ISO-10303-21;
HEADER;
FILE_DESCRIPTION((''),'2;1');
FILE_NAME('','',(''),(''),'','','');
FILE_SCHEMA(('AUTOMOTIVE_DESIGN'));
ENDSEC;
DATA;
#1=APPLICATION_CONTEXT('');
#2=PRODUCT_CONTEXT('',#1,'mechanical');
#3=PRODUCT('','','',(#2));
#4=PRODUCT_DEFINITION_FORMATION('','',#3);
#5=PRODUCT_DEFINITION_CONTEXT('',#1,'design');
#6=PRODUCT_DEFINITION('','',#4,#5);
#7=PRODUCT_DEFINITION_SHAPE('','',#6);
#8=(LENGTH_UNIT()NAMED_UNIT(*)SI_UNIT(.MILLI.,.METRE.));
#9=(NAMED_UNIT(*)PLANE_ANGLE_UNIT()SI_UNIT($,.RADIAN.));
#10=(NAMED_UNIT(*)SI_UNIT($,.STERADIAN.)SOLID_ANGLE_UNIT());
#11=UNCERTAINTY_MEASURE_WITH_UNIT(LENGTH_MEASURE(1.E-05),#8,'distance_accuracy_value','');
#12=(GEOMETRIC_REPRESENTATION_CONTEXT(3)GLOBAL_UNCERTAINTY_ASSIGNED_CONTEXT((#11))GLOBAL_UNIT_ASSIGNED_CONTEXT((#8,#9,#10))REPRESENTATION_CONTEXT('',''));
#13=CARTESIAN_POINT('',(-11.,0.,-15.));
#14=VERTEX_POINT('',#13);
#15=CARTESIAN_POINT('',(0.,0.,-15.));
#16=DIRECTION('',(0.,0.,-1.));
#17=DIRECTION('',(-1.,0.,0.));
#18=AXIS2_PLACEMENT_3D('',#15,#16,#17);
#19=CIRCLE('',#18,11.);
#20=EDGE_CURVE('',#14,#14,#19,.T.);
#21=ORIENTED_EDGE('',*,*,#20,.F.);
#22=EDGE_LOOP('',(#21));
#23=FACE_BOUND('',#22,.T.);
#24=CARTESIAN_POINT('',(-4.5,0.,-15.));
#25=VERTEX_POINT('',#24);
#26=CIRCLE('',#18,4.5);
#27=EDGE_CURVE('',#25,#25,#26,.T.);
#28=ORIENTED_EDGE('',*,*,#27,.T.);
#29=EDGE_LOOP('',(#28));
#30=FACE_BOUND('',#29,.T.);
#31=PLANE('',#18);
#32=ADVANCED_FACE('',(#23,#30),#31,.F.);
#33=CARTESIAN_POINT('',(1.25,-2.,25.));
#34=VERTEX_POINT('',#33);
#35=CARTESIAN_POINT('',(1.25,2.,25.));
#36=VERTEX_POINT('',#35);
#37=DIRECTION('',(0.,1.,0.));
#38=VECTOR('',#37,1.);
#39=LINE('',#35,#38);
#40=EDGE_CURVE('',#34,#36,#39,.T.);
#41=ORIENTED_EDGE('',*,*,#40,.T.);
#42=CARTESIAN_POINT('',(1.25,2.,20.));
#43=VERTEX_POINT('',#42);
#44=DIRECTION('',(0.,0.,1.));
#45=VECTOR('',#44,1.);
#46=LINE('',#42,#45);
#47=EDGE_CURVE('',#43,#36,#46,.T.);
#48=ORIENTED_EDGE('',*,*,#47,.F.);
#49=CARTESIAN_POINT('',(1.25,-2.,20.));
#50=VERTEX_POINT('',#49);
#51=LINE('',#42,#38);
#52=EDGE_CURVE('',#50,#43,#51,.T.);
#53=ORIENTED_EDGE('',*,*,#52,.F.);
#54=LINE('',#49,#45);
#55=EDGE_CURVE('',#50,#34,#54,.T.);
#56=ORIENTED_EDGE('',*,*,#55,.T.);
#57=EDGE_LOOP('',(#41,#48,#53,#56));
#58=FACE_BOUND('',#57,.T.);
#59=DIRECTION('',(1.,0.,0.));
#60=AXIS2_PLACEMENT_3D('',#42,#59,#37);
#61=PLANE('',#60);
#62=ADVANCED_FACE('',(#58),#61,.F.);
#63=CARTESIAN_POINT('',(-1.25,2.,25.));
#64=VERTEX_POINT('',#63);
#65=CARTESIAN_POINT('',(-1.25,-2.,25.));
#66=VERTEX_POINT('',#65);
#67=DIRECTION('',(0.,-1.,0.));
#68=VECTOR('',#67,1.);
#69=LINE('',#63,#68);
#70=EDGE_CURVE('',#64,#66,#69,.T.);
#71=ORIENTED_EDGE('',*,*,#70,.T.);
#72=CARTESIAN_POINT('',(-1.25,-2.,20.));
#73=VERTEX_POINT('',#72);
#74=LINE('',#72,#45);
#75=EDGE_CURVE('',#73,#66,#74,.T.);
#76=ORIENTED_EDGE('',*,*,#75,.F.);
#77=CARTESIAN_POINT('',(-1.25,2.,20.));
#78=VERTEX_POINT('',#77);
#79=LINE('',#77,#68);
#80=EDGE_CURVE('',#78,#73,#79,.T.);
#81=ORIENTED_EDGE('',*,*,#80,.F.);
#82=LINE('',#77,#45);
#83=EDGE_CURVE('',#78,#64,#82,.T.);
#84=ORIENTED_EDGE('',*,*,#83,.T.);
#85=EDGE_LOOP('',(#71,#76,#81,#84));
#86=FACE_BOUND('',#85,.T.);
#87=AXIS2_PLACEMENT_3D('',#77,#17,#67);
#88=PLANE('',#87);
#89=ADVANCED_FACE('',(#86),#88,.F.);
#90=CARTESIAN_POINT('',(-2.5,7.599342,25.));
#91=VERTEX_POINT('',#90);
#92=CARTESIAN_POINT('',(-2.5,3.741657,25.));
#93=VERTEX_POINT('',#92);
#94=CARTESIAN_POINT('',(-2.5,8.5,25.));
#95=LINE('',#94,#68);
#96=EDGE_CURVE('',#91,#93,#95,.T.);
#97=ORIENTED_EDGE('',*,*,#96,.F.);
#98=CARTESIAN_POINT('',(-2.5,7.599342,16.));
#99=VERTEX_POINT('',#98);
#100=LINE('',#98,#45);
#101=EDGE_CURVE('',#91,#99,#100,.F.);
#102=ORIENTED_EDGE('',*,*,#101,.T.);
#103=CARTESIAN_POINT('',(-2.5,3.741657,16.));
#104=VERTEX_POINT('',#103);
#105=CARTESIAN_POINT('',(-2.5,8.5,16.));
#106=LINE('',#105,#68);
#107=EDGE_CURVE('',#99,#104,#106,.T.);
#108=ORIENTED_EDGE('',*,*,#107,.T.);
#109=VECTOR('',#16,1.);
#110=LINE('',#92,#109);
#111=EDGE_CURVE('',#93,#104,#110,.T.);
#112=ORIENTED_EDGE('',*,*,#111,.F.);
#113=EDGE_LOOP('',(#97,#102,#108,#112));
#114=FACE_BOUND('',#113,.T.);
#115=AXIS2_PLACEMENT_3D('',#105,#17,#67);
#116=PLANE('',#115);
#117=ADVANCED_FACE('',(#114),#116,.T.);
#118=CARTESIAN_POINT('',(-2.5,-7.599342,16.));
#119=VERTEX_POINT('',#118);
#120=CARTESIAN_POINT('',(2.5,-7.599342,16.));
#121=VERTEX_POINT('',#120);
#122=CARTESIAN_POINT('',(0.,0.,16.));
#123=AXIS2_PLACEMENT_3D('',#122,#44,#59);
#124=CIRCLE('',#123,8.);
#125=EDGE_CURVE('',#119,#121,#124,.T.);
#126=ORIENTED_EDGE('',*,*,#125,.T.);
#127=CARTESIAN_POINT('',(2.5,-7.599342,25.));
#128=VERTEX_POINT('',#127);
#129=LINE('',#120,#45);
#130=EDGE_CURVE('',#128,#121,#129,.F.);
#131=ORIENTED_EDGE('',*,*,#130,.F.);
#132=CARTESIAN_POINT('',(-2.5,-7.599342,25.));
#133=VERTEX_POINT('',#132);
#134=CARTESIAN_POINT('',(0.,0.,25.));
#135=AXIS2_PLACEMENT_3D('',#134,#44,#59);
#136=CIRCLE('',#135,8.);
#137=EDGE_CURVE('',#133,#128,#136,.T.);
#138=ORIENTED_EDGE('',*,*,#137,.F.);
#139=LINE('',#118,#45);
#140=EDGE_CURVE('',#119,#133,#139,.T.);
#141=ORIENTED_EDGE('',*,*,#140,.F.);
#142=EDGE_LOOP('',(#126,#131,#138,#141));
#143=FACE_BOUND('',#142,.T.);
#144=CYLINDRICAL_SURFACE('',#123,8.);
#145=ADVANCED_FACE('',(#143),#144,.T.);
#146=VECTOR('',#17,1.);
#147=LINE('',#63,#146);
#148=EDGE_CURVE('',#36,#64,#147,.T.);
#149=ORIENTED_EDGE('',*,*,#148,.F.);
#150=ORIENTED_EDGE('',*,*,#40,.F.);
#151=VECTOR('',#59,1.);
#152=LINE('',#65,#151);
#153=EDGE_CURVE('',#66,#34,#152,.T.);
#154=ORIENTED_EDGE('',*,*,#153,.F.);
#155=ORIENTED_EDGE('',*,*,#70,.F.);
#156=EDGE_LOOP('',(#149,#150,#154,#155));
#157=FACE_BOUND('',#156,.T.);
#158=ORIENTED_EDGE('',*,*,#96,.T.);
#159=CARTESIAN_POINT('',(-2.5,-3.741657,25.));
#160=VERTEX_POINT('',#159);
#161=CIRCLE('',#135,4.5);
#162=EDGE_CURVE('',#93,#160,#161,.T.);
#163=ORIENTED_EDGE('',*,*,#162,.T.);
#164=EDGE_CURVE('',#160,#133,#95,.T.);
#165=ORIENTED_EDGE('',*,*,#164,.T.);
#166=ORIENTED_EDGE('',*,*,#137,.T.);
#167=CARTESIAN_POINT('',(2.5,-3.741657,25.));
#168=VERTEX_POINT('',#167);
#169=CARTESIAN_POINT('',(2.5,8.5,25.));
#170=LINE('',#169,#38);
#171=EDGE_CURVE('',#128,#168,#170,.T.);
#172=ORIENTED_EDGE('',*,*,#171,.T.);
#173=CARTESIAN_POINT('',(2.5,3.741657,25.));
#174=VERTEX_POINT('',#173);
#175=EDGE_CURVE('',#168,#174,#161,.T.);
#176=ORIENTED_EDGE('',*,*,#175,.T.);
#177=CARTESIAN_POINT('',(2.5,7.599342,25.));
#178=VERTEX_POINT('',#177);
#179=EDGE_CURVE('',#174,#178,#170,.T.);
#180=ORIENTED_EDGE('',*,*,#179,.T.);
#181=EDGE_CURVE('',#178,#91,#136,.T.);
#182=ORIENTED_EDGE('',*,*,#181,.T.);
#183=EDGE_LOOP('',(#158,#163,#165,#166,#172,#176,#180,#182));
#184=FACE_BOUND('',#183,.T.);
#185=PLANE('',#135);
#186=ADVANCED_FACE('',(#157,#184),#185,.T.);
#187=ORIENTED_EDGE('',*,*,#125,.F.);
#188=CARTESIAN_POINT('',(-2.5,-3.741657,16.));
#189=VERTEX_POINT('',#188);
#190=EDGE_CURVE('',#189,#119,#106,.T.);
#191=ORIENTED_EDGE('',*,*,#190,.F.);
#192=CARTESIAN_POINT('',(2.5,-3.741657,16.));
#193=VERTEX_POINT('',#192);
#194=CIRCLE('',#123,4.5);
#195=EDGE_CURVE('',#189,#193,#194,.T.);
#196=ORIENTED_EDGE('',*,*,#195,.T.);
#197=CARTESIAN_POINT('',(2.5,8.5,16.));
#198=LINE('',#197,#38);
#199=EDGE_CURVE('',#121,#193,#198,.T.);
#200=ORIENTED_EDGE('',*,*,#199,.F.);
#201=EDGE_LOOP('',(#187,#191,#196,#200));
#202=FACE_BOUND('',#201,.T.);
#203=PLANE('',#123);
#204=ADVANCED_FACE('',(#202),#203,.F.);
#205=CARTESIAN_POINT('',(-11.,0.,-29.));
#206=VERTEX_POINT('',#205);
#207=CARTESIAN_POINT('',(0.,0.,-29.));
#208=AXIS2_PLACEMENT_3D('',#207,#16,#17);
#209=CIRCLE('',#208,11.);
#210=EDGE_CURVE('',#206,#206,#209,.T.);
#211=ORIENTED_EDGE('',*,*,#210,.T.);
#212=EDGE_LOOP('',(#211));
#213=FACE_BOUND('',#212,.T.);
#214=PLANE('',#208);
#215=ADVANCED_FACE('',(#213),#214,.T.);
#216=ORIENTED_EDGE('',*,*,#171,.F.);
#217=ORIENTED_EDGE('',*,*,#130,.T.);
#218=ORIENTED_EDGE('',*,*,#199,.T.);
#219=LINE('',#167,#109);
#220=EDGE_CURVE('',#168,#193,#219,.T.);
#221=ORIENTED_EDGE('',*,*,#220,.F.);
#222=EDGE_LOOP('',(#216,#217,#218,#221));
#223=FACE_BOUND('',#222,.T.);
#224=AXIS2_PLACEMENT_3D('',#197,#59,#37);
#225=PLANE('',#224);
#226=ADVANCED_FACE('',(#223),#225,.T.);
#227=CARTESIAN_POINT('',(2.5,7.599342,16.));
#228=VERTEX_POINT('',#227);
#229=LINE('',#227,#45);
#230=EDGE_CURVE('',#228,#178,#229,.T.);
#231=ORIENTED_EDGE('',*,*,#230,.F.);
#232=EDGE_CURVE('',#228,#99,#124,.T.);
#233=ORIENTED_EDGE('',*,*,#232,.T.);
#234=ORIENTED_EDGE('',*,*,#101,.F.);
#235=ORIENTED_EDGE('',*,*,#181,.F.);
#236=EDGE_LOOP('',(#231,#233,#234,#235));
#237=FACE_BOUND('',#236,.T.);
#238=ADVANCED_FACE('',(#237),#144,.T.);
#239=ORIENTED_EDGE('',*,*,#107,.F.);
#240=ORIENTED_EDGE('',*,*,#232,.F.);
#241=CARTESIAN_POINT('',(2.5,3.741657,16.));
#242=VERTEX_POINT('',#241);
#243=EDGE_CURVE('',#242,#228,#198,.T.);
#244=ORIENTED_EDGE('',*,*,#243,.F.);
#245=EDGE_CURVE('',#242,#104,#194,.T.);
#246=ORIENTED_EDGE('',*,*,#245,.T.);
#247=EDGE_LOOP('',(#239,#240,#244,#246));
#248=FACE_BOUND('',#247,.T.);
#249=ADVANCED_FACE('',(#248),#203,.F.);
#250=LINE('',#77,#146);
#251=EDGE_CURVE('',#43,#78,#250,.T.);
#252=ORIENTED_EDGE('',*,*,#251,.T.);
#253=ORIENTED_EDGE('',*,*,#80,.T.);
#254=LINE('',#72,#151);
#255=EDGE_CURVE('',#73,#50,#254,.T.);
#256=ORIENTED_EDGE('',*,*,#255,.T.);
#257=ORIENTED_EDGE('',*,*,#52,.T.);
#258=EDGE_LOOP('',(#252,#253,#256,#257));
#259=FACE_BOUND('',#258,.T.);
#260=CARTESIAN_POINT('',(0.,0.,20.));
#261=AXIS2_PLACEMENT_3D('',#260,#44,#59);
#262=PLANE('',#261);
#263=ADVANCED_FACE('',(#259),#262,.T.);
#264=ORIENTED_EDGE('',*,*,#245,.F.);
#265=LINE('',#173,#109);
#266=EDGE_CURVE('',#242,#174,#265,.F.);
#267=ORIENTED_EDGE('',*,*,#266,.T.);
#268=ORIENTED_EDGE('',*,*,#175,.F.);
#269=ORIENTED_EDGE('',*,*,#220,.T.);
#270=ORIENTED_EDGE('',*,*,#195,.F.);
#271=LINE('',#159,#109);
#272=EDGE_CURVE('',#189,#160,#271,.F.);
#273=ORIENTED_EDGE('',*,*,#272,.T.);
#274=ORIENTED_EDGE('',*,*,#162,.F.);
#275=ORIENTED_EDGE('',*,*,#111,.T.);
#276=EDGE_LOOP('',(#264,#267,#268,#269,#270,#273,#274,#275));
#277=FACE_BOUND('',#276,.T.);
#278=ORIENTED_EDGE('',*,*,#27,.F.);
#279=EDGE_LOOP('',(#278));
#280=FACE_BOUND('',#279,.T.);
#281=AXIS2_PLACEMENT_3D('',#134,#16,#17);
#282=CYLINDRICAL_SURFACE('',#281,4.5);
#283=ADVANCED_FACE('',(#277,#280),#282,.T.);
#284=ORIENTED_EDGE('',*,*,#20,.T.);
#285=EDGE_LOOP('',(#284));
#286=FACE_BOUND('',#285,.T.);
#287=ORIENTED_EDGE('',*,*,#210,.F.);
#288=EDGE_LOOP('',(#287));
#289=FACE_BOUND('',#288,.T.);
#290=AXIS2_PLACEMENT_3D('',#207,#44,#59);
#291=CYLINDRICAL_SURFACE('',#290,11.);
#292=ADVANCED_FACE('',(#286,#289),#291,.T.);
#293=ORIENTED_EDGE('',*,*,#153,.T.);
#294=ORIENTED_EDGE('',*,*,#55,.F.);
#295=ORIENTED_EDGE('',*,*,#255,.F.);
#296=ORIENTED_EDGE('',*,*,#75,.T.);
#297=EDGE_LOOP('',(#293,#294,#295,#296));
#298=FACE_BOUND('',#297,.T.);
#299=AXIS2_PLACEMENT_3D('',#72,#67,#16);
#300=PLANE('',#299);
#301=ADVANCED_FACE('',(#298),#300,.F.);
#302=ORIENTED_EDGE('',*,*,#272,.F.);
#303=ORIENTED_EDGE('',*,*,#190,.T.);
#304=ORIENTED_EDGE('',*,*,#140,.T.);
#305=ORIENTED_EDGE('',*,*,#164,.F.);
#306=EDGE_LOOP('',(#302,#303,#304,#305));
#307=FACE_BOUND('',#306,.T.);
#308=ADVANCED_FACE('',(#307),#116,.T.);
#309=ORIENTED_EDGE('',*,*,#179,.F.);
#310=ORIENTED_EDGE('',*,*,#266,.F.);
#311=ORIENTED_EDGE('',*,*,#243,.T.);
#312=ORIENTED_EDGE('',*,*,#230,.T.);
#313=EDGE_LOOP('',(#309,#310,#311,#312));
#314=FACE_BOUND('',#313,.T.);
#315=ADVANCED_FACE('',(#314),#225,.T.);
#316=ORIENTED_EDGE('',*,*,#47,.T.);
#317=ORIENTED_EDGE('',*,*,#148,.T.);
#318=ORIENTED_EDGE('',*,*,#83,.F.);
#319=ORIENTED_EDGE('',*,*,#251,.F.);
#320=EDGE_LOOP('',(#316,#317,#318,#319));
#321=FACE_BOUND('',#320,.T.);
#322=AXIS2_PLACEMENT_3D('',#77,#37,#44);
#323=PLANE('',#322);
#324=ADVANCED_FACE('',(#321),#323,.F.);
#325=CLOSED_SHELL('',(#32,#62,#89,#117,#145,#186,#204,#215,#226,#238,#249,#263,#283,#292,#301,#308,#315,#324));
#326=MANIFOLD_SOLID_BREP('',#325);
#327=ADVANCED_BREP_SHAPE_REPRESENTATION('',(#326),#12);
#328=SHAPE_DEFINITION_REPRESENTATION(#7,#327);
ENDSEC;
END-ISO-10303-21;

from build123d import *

# Parameters (mm, degrees)
CROQUIS1_R              = 4.5
SALIENTE_EXTRUIR1_DEPTH = 25
CROQUIS2_W              = 5
CROQUIS2_H              = 17
SALIENTE_EXTRUIR2_DEPTH = 9
CROQUIS3_R              = 11
CROQUIS3_R_2            = 8
CORTAR_EXTRUIR1_DEPTH   = 9
CROQUIS4_R              = 4.5
SALIENTE_EXTRUIR4_DEPTH = 2
CROQUIS6_W              = 2.5
CROQUIS6_H              = 4
CORTAR_EXTRUIR2_DEPTH   = 5
CROQUIS8_R              = 4.5
SALIENTE_EXTRUIR5_DEPTH = 13
CROQUIS9_R              = 11
SALIENTE_EXTRUIR6_DEPTH = 14


with BuildPart() as part:
    # Croquis1 → Saliente-Extruir1 (new body)
    with BuildSketch(Plane.XY):
        Circle(CROQUIS1_R)
    extrude(amount=SALIENTE_EXTRUIR1_DEPTH)

    # Croquis2 → Saliente-Extruir2 (add)
    with BuildSketch(Plane.XY.offset(25)):
        Rectangle(CROQUIS2_W, CROQUIS2_H)
    extrude(amount=-SALIENTE_EXTRUIR2_DEPTH)

    # Croquis3 → Cortar-Extruir1 (cut)
    with BuildSketch(Plane.XY.offset(25)):
        Circle(CROQUIS3_R)
        Circle(CROQUIS3_R_2, mode=Mode.SUBTRACT)
    extrude(amount=-CORTAR_EXTRUIR1_DEPTH, mode=Mode.SUBTRACT)

    # Croquis4 → Saliente-Extruir4 (add)
    with BuildSketch(Plane(origin=(0, 0, 0), x_dir=(-1, 0, 0), z_dir=(0, 0, -1))):
        Circle(CROQUIS4_R)
    extrude(amount=SALIENTE_EXTRUIR4_DEPTH)

    # Croquis6 → Cortar-Extruir2 (cut)
    with BuildSketch(Plane.XY.offset(25)):
        Rectangle(CROQUIS6_W, CROQUIS6_H)
    extrude(amount=-CORTAR_EXTRUIR2_DEPTH, mode=Mode.SUBTRACT)

    # Croquis8 → Saliente-Extruir5 (add)
    with BuildSketch(Plane(origin=(0, 0, -2), x_dir=(-1, 0, 0), z_dir=(0, 0, -1))):
        Circle(CROQUIS8_R)
    extrude(amount=SALIENTE_EXTRUIR5_DEPTH)

    # Croquis9 → Saliente-Extruir6 (add)
    with BuildSketch(Plane(origin=(0, 0, -15), x_dir=(-1, 0, 0), z_dir=(0, 0, -1))):
        Circle(CROQUIS9_R)
    extrude(amount=SALIENTE_EXTRUIR6_DEPTH)


solid = part.part
